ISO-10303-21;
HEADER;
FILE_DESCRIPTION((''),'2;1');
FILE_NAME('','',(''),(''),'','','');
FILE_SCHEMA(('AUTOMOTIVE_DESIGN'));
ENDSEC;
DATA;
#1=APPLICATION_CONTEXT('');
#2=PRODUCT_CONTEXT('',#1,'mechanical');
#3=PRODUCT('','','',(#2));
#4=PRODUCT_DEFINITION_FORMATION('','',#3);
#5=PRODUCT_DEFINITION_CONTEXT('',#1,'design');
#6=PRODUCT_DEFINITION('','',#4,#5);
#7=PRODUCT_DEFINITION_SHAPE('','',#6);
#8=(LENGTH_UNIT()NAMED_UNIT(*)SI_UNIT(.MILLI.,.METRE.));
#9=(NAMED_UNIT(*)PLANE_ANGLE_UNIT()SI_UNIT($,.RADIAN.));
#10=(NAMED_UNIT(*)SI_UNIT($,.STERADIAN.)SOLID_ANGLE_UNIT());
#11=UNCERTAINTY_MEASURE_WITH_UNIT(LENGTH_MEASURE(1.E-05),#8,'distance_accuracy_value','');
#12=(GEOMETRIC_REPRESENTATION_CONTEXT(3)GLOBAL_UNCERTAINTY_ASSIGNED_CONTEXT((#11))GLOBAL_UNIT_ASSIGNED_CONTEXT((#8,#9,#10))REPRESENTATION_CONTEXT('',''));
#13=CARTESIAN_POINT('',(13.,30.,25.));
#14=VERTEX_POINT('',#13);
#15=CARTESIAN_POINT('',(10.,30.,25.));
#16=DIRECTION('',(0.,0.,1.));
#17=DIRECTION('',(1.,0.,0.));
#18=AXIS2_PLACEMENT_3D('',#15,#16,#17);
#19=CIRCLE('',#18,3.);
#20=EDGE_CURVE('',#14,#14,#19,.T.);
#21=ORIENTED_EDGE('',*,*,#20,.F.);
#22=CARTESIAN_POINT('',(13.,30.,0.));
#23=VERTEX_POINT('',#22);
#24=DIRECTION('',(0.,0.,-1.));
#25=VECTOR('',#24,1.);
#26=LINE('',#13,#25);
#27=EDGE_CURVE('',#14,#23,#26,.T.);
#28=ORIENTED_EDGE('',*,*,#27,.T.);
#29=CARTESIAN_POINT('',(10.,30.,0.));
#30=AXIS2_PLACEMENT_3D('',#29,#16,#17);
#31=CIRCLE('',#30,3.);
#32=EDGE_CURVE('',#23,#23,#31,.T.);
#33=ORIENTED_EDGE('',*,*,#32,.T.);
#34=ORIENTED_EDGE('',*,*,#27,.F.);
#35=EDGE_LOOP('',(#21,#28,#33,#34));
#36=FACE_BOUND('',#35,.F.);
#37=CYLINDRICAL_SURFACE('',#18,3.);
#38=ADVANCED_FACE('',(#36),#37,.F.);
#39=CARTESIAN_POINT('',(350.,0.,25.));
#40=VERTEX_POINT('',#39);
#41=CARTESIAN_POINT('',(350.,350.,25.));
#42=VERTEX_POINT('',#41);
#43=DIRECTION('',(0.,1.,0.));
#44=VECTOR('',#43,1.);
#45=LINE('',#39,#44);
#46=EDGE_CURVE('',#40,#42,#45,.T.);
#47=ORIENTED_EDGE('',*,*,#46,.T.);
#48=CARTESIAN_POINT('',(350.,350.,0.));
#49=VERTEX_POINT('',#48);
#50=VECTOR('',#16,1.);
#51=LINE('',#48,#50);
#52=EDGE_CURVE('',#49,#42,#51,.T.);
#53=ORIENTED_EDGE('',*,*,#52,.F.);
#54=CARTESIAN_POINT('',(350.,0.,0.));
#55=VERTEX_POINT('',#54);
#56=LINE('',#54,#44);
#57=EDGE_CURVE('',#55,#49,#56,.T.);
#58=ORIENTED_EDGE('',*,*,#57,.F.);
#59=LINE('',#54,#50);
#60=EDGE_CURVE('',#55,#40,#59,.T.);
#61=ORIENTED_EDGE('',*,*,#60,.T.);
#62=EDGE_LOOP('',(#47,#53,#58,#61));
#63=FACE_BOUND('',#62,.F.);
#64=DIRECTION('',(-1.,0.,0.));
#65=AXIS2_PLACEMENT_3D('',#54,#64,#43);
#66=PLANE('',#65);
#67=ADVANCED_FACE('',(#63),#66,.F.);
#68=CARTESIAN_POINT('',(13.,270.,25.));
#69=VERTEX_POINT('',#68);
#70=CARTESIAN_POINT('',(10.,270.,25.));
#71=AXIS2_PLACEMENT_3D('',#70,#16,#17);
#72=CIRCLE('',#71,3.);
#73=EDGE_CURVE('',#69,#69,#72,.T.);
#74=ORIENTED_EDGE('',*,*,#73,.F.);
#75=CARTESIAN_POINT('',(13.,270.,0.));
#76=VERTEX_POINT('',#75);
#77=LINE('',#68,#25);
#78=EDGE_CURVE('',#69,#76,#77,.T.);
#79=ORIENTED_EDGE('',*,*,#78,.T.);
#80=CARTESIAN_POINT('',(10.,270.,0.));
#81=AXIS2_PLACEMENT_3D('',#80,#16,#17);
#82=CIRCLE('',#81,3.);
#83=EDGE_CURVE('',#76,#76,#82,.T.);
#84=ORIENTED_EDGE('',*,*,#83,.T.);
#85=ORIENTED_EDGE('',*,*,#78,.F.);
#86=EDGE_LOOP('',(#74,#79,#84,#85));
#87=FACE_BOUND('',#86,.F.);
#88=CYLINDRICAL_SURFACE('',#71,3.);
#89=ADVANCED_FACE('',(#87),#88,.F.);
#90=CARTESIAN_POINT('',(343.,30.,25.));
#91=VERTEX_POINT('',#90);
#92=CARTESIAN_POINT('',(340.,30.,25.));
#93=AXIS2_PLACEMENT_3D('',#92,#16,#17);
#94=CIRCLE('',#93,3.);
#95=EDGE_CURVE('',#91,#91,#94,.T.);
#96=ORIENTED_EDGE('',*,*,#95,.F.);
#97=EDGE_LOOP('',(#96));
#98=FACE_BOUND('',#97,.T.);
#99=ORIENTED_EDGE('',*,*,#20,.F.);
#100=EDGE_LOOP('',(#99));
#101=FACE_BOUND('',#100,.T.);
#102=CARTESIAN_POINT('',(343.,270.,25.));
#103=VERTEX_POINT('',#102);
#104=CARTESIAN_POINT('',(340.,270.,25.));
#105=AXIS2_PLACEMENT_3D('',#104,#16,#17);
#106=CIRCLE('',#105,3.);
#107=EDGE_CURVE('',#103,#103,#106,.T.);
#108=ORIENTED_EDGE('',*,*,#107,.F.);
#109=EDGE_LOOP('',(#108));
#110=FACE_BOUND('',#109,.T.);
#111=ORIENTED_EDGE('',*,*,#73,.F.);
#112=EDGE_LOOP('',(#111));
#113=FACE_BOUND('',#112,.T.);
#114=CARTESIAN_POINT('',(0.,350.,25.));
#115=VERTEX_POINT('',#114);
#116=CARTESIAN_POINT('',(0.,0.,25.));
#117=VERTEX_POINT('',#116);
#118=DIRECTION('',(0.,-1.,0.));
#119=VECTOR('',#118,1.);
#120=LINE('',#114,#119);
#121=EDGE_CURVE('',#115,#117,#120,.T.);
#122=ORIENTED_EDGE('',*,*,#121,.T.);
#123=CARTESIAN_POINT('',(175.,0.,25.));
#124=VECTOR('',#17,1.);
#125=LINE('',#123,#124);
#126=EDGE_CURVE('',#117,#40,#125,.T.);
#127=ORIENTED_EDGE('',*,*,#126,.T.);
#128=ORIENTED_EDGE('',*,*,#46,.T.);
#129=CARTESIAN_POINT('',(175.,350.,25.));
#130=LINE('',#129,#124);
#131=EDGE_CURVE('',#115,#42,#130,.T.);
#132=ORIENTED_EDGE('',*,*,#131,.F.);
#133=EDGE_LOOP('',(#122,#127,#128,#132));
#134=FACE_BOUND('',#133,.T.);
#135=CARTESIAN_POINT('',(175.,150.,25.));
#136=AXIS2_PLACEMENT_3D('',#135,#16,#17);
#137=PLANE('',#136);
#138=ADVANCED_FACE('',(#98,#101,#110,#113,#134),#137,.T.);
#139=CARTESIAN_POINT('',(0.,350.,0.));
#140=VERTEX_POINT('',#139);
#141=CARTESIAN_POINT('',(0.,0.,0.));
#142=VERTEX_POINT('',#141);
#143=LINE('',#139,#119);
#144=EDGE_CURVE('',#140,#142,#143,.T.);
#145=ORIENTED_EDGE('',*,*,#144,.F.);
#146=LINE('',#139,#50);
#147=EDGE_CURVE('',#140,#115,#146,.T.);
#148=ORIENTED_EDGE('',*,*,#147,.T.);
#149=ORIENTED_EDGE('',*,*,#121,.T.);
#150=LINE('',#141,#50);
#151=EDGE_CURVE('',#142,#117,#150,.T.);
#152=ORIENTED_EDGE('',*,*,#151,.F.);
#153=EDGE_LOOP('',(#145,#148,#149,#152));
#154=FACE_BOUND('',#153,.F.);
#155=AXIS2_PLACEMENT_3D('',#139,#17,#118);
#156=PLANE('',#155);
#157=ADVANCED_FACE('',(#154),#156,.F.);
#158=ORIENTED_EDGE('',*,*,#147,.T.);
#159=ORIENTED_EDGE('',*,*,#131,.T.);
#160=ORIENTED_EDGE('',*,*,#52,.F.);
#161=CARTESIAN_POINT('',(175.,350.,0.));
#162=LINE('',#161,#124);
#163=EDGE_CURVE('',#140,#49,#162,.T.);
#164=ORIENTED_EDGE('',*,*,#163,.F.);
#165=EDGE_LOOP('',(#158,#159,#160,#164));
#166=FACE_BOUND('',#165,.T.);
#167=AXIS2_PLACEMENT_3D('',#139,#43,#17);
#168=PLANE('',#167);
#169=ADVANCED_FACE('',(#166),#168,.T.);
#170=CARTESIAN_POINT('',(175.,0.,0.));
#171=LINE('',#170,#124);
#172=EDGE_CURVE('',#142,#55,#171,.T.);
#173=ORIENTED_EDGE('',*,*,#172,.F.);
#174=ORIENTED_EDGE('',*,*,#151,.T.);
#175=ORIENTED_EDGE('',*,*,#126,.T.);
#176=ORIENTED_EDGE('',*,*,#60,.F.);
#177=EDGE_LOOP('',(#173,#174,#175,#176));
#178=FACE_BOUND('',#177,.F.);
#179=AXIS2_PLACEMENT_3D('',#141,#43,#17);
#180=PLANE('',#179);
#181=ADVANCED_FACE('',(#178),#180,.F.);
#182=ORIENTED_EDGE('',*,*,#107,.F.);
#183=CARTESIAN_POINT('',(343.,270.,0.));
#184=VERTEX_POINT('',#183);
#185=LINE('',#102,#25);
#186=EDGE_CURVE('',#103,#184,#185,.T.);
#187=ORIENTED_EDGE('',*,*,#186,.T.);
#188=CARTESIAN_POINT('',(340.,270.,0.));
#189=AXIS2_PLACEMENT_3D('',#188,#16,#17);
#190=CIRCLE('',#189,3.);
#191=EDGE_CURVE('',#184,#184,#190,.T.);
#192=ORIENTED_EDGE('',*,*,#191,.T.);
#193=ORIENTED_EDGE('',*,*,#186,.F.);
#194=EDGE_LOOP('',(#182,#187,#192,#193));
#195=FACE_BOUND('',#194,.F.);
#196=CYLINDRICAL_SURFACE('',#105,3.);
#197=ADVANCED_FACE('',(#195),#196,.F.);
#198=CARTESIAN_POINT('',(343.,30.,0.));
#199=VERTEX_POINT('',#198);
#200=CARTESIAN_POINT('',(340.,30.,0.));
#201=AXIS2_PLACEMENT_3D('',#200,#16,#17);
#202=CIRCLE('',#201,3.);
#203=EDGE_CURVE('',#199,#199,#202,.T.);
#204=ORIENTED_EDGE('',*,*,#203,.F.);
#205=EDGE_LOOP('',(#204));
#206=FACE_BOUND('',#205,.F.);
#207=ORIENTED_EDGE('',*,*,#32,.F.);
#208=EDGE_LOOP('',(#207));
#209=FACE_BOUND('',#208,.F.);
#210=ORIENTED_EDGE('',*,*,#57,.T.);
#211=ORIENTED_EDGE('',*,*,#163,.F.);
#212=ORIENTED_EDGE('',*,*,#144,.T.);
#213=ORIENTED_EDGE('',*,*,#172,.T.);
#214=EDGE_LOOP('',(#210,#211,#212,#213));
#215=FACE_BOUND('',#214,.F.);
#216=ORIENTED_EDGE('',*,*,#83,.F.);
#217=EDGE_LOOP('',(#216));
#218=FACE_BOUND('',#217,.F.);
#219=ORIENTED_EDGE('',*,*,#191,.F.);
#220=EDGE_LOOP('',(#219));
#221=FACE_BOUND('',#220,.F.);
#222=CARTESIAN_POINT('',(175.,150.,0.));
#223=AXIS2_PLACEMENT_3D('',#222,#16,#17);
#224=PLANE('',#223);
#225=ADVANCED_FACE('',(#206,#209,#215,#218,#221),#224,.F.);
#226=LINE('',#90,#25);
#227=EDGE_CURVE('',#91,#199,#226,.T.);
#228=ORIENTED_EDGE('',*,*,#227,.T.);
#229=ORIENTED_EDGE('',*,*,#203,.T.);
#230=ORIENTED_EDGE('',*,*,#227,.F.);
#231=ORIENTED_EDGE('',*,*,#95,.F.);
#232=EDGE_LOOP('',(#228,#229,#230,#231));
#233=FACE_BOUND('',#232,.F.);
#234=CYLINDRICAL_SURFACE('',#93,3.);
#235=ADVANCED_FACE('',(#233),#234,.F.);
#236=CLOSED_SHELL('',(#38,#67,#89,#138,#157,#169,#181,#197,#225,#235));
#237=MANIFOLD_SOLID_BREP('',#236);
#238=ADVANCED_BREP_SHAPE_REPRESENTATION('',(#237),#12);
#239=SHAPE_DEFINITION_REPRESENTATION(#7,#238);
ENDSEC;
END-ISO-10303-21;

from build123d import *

# Parameters (mm, degrees)
F0_W     = 350
F0_H     = 300
F0_H_2   = 50
F1_DEPTH = 25
F2_R     = 3
F3_DEPTH = 25.001


with BuildPart() as f1:
    # F0 (on Top) → F1 (new body)
    with BuildSketch(Plane.XY):
        with Locations((175, 150)):
            Rectangle(F0_W, F0_H)
        with Locations((175, 325)):
            Rectangle(F0_W, F0_H_2)
    extrude(amount=F1_DEPTH)

    # F2 (on face) → F3 (cut, through all)
    with BuildSketch(Plane.XY.offset(25)):
        with Locations((10, 270)):
            Circle(F2_R)
        with Locations((340, 270)):
            Circle(F2_R)
        with Locations((340, 30)):
            Circle(F2_R)
        with Locations((10, 30)):
            Circle(F2_R)
    extrude(amount=-F3_DEPTH, mode=Mode.SUBTRACT)


solid = f1.part
